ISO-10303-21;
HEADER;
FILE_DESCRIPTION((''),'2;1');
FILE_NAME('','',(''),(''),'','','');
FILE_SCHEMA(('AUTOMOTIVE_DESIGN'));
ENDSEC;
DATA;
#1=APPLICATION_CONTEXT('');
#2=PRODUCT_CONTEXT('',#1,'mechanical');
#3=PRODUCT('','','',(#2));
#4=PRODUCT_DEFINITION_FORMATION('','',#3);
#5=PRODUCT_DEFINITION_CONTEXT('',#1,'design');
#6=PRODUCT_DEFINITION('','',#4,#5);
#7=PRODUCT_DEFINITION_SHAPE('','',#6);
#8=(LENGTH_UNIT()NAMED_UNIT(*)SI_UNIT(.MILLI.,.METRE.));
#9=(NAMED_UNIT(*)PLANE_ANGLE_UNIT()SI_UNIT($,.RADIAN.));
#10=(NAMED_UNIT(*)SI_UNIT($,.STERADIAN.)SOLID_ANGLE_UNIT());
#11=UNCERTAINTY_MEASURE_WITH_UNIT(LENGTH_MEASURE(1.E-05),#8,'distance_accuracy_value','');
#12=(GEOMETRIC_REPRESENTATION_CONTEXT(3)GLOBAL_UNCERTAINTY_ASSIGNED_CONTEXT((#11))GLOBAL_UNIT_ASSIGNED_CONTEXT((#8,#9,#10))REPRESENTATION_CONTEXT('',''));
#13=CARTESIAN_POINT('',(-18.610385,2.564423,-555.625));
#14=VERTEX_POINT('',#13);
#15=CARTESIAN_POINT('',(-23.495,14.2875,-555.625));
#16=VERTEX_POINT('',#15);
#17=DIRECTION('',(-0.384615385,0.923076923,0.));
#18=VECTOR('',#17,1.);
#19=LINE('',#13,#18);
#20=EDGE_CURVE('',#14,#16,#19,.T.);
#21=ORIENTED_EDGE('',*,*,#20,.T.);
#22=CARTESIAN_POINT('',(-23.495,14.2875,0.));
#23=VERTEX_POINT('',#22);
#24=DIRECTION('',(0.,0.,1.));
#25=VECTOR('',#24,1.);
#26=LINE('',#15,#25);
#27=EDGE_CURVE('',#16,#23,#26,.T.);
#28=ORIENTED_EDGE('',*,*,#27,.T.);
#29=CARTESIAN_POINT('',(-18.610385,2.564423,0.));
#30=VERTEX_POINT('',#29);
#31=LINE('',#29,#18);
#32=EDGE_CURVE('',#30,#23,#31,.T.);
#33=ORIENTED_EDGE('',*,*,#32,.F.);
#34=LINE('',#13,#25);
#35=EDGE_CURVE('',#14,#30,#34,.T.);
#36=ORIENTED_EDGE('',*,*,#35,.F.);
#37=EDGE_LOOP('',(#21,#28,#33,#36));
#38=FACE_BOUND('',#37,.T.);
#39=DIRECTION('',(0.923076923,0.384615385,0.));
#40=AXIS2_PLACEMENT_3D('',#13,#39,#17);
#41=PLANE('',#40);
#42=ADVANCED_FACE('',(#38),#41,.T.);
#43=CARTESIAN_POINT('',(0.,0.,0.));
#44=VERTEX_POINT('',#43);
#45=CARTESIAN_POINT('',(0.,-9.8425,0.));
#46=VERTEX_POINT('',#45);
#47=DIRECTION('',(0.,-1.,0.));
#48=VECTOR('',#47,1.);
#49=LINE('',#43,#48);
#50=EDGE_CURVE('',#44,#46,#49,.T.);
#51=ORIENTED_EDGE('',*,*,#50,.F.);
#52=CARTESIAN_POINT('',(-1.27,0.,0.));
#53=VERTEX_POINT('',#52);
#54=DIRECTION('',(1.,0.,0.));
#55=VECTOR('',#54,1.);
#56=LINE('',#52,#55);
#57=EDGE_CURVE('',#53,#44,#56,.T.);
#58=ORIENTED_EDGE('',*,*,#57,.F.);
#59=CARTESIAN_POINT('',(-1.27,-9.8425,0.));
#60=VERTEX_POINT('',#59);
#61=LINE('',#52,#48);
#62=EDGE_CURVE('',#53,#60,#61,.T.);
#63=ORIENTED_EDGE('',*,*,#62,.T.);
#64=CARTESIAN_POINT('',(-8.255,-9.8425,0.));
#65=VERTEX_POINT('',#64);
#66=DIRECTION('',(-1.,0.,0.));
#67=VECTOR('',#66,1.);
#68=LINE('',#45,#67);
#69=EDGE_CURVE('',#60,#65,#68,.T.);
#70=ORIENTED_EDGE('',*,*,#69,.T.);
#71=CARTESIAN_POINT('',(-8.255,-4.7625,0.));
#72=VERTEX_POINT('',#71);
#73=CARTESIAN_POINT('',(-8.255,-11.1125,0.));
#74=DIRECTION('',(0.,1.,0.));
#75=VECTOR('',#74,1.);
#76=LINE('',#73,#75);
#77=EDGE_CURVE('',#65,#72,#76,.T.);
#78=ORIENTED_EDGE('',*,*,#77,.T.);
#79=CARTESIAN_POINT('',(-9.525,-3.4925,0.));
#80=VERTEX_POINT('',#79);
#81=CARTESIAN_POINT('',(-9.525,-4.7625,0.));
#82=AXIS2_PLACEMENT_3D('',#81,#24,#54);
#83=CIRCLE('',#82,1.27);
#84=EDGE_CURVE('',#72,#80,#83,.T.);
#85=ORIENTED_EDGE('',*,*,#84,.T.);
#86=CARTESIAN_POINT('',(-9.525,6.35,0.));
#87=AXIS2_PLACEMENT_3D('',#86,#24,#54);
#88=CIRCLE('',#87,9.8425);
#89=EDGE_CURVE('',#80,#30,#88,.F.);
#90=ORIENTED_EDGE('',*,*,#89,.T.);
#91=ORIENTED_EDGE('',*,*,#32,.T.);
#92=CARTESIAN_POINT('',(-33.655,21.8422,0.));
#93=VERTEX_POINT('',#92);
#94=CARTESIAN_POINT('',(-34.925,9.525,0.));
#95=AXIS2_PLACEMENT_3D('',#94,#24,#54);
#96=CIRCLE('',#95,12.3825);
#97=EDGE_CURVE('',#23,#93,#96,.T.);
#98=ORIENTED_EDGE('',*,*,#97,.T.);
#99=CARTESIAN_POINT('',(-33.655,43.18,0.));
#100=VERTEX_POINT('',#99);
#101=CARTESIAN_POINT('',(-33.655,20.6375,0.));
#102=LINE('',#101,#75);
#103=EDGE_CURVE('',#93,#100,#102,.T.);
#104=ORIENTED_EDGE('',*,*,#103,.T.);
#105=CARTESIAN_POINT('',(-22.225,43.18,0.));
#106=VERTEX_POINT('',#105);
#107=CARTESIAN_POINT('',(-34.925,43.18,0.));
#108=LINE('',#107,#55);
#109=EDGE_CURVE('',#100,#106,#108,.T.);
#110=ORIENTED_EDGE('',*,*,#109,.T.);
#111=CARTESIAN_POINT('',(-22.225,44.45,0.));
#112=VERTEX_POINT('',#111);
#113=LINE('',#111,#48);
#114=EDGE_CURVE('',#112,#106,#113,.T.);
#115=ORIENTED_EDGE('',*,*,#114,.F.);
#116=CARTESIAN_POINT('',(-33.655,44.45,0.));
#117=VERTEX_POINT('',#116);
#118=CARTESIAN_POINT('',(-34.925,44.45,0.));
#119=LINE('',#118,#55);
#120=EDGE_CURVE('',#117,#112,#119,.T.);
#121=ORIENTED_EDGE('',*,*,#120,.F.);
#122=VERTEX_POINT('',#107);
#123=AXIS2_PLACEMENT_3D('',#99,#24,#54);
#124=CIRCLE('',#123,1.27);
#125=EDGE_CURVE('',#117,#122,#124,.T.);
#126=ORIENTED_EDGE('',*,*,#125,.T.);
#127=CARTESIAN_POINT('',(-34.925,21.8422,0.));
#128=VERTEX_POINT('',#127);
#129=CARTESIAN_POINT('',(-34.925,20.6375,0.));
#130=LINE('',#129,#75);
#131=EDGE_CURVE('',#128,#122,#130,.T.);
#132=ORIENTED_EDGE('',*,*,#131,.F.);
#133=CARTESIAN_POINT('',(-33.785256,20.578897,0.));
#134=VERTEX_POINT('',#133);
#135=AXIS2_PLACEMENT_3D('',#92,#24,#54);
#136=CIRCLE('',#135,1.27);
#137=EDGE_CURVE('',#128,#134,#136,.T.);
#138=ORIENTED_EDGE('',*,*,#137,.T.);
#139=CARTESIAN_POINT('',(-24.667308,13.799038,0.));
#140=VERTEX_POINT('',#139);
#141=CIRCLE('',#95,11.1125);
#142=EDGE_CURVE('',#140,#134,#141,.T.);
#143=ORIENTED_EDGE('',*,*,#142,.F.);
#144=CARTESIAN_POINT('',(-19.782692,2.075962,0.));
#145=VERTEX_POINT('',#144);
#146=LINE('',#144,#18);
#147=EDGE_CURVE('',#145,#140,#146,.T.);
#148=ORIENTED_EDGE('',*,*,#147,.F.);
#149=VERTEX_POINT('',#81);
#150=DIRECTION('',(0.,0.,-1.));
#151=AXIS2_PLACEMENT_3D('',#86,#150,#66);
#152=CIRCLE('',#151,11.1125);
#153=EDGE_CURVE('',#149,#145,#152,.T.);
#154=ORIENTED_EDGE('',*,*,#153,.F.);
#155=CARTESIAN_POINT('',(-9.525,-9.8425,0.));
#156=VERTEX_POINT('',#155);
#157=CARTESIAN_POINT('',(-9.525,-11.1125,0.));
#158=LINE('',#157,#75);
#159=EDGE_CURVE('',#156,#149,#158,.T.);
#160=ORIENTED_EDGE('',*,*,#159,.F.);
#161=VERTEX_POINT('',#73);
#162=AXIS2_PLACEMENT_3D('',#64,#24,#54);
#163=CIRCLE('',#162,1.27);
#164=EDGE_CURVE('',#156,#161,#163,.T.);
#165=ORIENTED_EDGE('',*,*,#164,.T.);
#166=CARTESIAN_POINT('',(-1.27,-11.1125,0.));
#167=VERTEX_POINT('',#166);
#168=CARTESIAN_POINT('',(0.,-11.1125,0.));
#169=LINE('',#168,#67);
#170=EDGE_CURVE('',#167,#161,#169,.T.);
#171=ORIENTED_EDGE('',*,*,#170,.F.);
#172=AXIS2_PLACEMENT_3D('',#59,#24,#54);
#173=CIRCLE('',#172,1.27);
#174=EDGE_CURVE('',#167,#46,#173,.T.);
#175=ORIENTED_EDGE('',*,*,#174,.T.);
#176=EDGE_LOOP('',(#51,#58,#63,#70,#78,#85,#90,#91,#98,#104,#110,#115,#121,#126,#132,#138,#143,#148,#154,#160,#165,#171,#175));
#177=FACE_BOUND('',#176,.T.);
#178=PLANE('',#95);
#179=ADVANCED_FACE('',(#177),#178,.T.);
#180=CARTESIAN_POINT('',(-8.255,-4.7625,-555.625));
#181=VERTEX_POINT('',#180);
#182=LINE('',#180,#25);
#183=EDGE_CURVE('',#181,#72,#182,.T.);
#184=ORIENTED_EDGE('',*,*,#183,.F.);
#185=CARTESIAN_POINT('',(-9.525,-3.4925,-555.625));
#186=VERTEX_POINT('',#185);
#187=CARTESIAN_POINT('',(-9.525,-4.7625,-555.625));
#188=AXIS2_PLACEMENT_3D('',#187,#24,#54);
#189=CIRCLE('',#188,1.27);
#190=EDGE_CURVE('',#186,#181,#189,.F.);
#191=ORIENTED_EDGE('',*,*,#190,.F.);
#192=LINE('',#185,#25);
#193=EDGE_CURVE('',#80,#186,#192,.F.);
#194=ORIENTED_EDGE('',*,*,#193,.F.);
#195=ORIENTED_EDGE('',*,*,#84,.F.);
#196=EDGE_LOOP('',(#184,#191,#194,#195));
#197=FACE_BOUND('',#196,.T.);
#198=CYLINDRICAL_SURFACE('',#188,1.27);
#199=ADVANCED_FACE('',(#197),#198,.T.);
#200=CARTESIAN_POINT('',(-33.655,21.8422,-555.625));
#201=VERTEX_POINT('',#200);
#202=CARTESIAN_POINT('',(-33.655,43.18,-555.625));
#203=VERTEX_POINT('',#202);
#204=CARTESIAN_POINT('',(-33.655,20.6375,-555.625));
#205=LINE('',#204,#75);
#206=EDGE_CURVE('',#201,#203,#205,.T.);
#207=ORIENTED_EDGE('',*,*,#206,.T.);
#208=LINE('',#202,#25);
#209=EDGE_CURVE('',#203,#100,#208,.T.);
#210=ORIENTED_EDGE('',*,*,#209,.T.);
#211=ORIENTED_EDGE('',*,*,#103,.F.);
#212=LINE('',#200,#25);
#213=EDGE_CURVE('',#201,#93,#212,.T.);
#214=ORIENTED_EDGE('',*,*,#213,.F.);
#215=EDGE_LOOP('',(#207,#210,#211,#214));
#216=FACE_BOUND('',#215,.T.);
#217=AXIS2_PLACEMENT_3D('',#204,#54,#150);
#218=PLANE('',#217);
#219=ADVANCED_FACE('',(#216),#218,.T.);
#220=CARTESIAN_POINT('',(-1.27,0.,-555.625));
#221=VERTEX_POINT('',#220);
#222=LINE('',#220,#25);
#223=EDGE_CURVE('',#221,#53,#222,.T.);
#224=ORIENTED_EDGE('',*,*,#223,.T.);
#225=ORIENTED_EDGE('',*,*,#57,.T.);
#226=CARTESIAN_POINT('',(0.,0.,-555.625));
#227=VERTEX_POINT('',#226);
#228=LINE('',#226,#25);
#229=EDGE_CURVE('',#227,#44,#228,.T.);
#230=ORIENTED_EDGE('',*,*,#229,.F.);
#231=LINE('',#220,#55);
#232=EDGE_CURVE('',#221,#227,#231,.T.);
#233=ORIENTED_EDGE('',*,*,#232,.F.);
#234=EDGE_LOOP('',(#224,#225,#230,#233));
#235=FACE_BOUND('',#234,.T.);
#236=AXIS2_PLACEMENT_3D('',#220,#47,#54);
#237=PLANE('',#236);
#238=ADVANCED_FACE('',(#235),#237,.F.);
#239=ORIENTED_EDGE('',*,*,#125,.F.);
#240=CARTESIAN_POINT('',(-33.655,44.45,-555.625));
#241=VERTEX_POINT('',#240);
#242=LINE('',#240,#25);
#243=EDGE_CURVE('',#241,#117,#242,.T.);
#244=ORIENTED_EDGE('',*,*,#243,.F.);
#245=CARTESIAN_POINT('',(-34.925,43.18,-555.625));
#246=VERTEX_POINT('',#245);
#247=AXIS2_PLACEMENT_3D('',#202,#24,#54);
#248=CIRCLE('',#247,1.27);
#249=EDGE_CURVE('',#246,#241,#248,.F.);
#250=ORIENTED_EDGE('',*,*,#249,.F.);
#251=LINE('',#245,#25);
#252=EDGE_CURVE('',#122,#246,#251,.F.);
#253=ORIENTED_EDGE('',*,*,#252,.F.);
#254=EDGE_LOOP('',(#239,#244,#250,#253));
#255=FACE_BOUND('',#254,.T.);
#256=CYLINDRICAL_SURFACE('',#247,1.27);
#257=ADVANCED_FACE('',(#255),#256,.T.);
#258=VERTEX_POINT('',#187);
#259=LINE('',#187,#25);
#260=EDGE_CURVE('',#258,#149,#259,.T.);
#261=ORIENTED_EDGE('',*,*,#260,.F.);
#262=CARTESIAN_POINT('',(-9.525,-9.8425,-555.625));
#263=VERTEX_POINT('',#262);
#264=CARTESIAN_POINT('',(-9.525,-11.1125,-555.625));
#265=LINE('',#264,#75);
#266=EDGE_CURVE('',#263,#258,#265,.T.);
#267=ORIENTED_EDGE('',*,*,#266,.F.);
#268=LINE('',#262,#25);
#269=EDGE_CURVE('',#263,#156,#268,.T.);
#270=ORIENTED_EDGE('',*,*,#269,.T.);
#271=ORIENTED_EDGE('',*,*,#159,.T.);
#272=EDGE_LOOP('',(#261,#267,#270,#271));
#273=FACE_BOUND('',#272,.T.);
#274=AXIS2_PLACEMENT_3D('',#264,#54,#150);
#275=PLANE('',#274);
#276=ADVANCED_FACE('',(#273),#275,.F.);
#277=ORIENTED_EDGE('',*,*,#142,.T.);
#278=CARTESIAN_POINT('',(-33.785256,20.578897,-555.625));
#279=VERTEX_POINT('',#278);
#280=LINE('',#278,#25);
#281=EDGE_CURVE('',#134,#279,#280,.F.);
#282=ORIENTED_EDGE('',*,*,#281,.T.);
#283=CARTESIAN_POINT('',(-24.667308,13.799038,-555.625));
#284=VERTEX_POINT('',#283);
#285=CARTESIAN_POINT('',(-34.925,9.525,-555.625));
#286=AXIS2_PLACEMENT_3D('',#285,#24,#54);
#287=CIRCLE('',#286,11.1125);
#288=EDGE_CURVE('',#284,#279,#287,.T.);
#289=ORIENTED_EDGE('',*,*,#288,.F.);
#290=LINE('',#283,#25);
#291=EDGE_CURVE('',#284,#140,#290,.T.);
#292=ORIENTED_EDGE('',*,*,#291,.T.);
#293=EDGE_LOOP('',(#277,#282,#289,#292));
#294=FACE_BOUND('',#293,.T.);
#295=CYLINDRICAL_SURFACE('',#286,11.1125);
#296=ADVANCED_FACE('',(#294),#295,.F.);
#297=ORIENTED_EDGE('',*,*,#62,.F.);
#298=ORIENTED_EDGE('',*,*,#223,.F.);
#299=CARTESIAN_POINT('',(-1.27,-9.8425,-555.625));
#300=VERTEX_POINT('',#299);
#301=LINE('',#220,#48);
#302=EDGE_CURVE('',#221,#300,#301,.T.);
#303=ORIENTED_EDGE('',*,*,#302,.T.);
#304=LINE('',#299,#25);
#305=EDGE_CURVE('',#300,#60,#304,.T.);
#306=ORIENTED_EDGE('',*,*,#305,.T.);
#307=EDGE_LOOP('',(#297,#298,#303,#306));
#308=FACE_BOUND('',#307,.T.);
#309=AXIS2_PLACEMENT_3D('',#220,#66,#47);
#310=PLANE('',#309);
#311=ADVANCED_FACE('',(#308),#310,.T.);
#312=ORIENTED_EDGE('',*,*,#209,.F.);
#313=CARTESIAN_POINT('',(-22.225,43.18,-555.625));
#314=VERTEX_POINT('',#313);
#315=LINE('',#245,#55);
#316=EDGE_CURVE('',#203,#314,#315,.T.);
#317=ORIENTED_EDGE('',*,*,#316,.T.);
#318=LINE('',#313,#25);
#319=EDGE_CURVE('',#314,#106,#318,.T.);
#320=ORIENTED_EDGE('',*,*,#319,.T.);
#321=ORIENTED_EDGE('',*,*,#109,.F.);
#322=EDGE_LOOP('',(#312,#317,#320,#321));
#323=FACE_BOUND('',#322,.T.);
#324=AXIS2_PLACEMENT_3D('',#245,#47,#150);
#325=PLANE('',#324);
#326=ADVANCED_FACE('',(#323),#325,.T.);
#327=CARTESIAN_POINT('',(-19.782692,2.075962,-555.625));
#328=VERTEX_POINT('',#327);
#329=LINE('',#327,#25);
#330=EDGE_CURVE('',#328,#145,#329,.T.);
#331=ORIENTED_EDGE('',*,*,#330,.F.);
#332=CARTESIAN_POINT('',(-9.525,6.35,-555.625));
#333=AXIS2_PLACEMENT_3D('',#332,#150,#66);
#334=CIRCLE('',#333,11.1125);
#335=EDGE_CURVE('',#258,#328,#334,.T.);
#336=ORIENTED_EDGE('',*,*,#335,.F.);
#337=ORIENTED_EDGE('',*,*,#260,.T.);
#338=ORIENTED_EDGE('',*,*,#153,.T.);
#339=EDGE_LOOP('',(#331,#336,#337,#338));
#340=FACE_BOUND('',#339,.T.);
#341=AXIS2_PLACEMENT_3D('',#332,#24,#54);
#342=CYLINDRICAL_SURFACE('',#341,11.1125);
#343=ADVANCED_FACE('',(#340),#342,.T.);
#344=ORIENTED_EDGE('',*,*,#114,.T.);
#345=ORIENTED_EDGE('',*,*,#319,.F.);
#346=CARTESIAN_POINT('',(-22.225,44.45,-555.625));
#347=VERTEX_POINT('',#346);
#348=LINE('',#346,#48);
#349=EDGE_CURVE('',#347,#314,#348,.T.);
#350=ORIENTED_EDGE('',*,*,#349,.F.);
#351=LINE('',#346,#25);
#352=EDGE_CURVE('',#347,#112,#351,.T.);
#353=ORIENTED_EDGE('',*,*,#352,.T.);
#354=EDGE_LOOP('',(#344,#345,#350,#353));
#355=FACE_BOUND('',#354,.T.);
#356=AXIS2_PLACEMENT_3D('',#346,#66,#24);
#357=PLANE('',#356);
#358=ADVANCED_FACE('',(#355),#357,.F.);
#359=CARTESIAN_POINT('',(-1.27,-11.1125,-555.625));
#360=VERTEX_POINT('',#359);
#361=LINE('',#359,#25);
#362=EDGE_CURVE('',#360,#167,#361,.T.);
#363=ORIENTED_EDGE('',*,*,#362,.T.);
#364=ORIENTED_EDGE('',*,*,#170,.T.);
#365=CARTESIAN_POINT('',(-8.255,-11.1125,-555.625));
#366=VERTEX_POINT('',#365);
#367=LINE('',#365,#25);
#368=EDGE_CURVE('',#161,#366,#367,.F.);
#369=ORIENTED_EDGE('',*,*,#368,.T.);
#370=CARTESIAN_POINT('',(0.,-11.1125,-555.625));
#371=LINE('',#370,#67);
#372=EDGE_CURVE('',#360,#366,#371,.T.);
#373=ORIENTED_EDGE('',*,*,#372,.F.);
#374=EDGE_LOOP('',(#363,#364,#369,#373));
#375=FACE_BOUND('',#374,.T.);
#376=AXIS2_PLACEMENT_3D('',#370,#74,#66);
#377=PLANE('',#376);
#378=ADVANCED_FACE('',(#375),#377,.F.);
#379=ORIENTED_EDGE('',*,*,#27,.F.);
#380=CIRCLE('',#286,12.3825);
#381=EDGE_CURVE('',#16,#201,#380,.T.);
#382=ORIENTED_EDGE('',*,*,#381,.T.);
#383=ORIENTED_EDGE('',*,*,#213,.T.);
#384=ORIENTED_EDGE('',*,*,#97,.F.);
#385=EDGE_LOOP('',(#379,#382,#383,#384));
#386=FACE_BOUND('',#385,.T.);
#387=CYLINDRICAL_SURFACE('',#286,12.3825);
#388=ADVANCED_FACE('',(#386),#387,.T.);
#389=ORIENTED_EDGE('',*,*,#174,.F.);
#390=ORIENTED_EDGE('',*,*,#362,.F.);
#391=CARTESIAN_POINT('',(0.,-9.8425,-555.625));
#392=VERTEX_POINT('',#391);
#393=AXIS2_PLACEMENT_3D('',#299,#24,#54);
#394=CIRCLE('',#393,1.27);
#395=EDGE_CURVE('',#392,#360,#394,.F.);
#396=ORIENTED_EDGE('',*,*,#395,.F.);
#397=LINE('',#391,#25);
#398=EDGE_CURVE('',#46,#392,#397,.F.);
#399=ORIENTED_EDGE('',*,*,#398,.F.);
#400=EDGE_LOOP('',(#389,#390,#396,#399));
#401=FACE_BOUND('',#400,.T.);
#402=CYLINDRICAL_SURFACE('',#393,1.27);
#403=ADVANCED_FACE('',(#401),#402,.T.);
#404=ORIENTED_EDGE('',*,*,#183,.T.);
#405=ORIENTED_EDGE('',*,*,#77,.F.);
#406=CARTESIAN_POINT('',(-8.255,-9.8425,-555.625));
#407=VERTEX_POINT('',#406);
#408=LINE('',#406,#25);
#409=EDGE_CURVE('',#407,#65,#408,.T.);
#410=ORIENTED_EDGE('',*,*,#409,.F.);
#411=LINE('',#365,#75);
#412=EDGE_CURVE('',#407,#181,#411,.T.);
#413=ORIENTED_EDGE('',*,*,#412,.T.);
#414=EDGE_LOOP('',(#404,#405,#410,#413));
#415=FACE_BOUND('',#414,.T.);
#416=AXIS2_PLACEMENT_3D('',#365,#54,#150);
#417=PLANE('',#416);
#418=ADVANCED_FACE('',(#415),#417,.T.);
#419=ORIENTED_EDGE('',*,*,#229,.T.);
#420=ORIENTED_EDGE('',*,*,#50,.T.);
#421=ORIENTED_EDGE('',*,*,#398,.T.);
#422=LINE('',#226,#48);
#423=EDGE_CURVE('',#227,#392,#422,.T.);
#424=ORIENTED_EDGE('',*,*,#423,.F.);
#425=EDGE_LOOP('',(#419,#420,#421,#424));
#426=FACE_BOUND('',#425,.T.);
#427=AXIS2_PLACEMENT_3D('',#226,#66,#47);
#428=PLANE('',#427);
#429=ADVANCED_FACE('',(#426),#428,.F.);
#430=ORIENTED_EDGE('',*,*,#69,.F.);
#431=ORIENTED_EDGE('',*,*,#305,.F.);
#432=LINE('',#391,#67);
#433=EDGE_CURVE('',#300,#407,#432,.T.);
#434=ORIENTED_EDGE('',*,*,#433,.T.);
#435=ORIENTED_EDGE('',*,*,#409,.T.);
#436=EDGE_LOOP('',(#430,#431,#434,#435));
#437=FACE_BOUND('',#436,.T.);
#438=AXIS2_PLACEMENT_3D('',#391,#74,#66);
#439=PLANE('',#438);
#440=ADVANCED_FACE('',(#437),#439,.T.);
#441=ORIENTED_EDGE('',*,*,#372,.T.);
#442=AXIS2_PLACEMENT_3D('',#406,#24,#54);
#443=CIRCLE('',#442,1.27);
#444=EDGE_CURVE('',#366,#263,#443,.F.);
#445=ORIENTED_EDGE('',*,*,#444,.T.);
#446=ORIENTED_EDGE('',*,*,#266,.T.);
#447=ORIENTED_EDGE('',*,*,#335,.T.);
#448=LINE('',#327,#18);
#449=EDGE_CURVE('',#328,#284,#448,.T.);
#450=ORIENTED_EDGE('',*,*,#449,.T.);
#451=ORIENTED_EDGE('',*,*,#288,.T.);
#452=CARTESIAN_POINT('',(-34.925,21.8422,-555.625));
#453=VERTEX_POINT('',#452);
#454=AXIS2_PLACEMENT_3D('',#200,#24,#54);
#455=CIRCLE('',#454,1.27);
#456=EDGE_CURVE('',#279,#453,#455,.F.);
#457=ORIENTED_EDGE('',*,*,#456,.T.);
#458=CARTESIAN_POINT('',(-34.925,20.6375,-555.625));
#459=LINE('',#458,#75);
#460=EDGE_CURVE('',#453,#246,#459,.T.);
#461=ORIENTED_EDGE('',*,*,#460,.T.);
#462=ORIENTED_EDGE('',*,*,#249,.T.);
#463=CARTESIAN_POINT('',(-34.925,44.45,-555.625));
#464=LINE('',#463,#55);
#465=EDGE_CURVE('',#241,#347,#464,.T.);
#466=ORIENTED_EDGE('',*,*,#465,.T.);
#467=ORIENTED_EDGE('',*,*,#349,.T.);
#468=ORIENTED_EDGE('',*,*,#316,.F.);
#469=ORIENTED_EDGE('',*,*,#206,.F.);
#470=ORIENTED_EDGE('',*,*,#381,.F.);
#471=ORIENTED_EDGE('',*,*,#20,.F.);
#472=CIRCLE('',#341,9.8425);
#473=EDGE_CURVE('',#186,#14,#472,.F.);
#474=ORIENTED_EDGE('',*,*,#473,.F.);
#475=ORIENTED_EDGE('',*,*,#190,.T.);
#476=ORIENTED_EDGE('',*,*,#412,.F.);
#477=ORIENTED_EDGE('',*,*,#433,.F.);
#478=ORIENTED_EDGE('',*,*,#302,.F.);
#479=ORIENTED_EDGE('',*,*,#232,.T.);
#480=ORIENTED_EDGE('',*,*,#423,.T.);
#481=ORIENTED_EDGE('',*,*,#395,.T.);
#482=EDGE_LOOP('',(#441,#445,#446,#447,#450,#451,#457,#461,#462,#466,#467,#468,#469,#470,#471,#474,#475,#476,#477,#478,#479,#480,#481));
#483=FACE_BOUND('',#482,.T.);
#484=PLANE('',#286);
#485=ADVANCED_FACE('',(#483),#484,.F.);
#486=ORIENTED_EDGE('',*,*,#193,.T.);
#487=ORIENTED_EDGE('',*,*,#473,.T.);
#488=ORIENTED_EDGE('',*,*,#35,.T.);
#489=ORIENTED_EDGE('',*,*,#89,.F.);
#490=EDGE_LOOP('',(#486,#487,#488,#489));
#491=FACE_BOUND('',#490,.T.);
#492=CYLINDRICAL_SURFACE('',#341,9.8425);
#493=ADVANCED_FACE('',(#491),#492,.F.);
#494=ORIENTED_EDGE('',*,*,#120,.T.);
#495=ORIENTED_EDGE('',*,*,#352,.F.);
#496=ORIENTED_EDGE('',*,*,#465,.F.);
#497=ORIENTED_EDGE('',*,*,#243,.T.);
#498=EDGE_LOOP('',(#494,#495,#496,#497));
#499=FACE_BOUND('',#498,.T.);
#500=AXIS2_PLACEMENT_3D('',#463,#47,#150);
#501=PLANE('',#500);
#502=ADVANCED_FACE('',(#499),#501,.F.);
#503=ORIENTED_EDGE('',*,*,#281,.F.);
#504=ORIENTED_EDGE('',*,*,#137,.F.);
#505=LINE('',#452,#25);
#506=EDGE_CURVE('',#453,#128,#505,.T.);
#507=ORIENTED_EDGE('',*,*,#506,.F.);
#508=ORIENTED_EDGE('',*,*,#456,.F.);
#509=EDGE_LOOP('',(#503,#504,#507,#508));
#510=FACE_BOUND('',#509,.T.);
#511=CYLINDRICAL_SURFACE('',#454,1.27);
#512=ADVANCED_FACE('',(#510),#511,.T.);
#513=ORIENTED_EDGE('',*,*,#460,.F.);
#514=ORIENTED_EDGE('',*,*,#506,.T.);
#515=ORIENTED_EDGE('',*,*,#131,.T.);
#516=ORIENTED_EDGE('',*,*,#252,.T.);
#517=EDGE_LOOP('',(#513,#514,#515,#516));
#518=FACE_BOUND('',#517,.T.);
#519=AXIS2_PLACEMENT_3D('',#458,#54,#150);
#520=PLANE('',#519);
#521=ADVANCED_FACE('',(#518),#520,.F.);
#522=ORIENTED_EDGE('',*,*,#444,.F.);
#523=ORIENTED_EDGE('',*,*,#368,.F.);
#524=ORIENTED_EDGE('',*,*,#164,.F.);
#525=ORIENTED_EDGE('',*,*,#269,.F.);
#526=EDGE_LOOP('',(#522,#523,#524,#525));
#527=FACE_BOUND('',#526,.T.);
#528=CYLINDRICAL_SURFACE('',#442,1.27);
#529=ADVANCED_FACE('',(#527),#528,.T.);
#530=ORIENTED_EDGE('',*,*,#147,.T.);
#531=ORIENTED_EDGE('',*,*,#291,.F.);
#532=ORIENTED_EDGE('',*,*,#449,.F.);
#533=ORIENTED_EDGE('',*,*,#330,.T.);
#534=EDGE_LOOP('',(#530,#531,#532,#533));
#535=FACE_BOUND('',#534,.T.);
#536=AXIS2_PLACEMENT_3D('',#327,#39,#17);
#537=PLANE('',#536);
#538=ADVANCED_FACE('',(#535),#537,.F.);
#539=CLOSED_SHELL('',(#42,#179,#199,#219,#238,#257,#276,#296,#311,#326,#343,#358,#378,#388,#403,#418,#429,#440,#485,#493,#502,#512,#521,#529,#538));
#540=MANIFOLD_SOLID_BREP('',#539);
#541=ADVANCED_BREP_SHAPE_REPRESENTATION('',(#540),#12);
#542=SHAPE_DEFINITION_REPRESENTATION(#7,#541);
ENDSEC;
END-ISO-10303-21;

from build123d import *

# Parameters (mm, degrees)
EXTRUDE_THIN1_DEPTH = 555.625
FILLET1_R           = 1.27


with BuildPart() as part:
    # Sketch1 → Extrude-Thin1 (new body)
    with BuildSketch(Plane.XY):
        with BuildLine():
            Line((0, 0), (0, -11.1125))
            Line((0, -11.1125), (-9.525, -11.1125))
            Line((-9.525, -11.1125), (-9.525, -4.7625))
            ThreePointArc((-9.525, -4.7625), (-15.689105931, -2.896158896), (-19.782692308, 2.075961538))
            Line((-19.782692308, 2.075961538), (-24.667307692, 13.799038462))
            ThreePointArc((-24.667307692, 13.799038462), (-28.760894069, 18.771158896), (-34.925, 20.6375))
            Line((-34.925, 20.6375), (-34.925, 44.45))
            Line((-34.925, 44.45), (-22.225, 44.45))
            Line((-22.225, 44.45), (-22.225, 43.18))
            Line((-22.225, 43.18), (-33.655, 43.18))
            Line((-33.655, 43.18), (-33.655, 21.842199611))
            ThreePointArc((-33.655, 21.842199611), (-27.536436435, 19.46157057), (-23.495, 14.2875))
            Line((-23.495, 14.2875), (-18.610384615, 2.564423077))
            ThreePointArc((-18.610384615, 2.564423077), (-14.443755021, -2.175295027), (-8.255, -3.410220605))
            Line((-8.255, -3.410220605), (-8.255, -9.8425))
            Line((-8.255, -9.8425), (-1.27, -9.8425))
            Line((-1.27, -9.8425), (-1.27, 0))
            Line((-1.27, 0), (0, 0))
        make_face()
    extrude(amount=-EXTRUDE_THIN1_DEPTH)

    # Fillet1
    fillet1_edges = [part.edges().sort_by_distance(p)[0] for p in [
        (-8.255, -3.410220605, -277.8125),
        (0, -11.1125, -277.8125),
        (-9.525, -11.1125, -277.8125),
        (-34.925, 20.6375, -277.8125),
        (-34.925, 44.45, -277.8125),
    ]]
    fillet(fillet1_edges, radius=FILLET1_R)


solid = part.part
